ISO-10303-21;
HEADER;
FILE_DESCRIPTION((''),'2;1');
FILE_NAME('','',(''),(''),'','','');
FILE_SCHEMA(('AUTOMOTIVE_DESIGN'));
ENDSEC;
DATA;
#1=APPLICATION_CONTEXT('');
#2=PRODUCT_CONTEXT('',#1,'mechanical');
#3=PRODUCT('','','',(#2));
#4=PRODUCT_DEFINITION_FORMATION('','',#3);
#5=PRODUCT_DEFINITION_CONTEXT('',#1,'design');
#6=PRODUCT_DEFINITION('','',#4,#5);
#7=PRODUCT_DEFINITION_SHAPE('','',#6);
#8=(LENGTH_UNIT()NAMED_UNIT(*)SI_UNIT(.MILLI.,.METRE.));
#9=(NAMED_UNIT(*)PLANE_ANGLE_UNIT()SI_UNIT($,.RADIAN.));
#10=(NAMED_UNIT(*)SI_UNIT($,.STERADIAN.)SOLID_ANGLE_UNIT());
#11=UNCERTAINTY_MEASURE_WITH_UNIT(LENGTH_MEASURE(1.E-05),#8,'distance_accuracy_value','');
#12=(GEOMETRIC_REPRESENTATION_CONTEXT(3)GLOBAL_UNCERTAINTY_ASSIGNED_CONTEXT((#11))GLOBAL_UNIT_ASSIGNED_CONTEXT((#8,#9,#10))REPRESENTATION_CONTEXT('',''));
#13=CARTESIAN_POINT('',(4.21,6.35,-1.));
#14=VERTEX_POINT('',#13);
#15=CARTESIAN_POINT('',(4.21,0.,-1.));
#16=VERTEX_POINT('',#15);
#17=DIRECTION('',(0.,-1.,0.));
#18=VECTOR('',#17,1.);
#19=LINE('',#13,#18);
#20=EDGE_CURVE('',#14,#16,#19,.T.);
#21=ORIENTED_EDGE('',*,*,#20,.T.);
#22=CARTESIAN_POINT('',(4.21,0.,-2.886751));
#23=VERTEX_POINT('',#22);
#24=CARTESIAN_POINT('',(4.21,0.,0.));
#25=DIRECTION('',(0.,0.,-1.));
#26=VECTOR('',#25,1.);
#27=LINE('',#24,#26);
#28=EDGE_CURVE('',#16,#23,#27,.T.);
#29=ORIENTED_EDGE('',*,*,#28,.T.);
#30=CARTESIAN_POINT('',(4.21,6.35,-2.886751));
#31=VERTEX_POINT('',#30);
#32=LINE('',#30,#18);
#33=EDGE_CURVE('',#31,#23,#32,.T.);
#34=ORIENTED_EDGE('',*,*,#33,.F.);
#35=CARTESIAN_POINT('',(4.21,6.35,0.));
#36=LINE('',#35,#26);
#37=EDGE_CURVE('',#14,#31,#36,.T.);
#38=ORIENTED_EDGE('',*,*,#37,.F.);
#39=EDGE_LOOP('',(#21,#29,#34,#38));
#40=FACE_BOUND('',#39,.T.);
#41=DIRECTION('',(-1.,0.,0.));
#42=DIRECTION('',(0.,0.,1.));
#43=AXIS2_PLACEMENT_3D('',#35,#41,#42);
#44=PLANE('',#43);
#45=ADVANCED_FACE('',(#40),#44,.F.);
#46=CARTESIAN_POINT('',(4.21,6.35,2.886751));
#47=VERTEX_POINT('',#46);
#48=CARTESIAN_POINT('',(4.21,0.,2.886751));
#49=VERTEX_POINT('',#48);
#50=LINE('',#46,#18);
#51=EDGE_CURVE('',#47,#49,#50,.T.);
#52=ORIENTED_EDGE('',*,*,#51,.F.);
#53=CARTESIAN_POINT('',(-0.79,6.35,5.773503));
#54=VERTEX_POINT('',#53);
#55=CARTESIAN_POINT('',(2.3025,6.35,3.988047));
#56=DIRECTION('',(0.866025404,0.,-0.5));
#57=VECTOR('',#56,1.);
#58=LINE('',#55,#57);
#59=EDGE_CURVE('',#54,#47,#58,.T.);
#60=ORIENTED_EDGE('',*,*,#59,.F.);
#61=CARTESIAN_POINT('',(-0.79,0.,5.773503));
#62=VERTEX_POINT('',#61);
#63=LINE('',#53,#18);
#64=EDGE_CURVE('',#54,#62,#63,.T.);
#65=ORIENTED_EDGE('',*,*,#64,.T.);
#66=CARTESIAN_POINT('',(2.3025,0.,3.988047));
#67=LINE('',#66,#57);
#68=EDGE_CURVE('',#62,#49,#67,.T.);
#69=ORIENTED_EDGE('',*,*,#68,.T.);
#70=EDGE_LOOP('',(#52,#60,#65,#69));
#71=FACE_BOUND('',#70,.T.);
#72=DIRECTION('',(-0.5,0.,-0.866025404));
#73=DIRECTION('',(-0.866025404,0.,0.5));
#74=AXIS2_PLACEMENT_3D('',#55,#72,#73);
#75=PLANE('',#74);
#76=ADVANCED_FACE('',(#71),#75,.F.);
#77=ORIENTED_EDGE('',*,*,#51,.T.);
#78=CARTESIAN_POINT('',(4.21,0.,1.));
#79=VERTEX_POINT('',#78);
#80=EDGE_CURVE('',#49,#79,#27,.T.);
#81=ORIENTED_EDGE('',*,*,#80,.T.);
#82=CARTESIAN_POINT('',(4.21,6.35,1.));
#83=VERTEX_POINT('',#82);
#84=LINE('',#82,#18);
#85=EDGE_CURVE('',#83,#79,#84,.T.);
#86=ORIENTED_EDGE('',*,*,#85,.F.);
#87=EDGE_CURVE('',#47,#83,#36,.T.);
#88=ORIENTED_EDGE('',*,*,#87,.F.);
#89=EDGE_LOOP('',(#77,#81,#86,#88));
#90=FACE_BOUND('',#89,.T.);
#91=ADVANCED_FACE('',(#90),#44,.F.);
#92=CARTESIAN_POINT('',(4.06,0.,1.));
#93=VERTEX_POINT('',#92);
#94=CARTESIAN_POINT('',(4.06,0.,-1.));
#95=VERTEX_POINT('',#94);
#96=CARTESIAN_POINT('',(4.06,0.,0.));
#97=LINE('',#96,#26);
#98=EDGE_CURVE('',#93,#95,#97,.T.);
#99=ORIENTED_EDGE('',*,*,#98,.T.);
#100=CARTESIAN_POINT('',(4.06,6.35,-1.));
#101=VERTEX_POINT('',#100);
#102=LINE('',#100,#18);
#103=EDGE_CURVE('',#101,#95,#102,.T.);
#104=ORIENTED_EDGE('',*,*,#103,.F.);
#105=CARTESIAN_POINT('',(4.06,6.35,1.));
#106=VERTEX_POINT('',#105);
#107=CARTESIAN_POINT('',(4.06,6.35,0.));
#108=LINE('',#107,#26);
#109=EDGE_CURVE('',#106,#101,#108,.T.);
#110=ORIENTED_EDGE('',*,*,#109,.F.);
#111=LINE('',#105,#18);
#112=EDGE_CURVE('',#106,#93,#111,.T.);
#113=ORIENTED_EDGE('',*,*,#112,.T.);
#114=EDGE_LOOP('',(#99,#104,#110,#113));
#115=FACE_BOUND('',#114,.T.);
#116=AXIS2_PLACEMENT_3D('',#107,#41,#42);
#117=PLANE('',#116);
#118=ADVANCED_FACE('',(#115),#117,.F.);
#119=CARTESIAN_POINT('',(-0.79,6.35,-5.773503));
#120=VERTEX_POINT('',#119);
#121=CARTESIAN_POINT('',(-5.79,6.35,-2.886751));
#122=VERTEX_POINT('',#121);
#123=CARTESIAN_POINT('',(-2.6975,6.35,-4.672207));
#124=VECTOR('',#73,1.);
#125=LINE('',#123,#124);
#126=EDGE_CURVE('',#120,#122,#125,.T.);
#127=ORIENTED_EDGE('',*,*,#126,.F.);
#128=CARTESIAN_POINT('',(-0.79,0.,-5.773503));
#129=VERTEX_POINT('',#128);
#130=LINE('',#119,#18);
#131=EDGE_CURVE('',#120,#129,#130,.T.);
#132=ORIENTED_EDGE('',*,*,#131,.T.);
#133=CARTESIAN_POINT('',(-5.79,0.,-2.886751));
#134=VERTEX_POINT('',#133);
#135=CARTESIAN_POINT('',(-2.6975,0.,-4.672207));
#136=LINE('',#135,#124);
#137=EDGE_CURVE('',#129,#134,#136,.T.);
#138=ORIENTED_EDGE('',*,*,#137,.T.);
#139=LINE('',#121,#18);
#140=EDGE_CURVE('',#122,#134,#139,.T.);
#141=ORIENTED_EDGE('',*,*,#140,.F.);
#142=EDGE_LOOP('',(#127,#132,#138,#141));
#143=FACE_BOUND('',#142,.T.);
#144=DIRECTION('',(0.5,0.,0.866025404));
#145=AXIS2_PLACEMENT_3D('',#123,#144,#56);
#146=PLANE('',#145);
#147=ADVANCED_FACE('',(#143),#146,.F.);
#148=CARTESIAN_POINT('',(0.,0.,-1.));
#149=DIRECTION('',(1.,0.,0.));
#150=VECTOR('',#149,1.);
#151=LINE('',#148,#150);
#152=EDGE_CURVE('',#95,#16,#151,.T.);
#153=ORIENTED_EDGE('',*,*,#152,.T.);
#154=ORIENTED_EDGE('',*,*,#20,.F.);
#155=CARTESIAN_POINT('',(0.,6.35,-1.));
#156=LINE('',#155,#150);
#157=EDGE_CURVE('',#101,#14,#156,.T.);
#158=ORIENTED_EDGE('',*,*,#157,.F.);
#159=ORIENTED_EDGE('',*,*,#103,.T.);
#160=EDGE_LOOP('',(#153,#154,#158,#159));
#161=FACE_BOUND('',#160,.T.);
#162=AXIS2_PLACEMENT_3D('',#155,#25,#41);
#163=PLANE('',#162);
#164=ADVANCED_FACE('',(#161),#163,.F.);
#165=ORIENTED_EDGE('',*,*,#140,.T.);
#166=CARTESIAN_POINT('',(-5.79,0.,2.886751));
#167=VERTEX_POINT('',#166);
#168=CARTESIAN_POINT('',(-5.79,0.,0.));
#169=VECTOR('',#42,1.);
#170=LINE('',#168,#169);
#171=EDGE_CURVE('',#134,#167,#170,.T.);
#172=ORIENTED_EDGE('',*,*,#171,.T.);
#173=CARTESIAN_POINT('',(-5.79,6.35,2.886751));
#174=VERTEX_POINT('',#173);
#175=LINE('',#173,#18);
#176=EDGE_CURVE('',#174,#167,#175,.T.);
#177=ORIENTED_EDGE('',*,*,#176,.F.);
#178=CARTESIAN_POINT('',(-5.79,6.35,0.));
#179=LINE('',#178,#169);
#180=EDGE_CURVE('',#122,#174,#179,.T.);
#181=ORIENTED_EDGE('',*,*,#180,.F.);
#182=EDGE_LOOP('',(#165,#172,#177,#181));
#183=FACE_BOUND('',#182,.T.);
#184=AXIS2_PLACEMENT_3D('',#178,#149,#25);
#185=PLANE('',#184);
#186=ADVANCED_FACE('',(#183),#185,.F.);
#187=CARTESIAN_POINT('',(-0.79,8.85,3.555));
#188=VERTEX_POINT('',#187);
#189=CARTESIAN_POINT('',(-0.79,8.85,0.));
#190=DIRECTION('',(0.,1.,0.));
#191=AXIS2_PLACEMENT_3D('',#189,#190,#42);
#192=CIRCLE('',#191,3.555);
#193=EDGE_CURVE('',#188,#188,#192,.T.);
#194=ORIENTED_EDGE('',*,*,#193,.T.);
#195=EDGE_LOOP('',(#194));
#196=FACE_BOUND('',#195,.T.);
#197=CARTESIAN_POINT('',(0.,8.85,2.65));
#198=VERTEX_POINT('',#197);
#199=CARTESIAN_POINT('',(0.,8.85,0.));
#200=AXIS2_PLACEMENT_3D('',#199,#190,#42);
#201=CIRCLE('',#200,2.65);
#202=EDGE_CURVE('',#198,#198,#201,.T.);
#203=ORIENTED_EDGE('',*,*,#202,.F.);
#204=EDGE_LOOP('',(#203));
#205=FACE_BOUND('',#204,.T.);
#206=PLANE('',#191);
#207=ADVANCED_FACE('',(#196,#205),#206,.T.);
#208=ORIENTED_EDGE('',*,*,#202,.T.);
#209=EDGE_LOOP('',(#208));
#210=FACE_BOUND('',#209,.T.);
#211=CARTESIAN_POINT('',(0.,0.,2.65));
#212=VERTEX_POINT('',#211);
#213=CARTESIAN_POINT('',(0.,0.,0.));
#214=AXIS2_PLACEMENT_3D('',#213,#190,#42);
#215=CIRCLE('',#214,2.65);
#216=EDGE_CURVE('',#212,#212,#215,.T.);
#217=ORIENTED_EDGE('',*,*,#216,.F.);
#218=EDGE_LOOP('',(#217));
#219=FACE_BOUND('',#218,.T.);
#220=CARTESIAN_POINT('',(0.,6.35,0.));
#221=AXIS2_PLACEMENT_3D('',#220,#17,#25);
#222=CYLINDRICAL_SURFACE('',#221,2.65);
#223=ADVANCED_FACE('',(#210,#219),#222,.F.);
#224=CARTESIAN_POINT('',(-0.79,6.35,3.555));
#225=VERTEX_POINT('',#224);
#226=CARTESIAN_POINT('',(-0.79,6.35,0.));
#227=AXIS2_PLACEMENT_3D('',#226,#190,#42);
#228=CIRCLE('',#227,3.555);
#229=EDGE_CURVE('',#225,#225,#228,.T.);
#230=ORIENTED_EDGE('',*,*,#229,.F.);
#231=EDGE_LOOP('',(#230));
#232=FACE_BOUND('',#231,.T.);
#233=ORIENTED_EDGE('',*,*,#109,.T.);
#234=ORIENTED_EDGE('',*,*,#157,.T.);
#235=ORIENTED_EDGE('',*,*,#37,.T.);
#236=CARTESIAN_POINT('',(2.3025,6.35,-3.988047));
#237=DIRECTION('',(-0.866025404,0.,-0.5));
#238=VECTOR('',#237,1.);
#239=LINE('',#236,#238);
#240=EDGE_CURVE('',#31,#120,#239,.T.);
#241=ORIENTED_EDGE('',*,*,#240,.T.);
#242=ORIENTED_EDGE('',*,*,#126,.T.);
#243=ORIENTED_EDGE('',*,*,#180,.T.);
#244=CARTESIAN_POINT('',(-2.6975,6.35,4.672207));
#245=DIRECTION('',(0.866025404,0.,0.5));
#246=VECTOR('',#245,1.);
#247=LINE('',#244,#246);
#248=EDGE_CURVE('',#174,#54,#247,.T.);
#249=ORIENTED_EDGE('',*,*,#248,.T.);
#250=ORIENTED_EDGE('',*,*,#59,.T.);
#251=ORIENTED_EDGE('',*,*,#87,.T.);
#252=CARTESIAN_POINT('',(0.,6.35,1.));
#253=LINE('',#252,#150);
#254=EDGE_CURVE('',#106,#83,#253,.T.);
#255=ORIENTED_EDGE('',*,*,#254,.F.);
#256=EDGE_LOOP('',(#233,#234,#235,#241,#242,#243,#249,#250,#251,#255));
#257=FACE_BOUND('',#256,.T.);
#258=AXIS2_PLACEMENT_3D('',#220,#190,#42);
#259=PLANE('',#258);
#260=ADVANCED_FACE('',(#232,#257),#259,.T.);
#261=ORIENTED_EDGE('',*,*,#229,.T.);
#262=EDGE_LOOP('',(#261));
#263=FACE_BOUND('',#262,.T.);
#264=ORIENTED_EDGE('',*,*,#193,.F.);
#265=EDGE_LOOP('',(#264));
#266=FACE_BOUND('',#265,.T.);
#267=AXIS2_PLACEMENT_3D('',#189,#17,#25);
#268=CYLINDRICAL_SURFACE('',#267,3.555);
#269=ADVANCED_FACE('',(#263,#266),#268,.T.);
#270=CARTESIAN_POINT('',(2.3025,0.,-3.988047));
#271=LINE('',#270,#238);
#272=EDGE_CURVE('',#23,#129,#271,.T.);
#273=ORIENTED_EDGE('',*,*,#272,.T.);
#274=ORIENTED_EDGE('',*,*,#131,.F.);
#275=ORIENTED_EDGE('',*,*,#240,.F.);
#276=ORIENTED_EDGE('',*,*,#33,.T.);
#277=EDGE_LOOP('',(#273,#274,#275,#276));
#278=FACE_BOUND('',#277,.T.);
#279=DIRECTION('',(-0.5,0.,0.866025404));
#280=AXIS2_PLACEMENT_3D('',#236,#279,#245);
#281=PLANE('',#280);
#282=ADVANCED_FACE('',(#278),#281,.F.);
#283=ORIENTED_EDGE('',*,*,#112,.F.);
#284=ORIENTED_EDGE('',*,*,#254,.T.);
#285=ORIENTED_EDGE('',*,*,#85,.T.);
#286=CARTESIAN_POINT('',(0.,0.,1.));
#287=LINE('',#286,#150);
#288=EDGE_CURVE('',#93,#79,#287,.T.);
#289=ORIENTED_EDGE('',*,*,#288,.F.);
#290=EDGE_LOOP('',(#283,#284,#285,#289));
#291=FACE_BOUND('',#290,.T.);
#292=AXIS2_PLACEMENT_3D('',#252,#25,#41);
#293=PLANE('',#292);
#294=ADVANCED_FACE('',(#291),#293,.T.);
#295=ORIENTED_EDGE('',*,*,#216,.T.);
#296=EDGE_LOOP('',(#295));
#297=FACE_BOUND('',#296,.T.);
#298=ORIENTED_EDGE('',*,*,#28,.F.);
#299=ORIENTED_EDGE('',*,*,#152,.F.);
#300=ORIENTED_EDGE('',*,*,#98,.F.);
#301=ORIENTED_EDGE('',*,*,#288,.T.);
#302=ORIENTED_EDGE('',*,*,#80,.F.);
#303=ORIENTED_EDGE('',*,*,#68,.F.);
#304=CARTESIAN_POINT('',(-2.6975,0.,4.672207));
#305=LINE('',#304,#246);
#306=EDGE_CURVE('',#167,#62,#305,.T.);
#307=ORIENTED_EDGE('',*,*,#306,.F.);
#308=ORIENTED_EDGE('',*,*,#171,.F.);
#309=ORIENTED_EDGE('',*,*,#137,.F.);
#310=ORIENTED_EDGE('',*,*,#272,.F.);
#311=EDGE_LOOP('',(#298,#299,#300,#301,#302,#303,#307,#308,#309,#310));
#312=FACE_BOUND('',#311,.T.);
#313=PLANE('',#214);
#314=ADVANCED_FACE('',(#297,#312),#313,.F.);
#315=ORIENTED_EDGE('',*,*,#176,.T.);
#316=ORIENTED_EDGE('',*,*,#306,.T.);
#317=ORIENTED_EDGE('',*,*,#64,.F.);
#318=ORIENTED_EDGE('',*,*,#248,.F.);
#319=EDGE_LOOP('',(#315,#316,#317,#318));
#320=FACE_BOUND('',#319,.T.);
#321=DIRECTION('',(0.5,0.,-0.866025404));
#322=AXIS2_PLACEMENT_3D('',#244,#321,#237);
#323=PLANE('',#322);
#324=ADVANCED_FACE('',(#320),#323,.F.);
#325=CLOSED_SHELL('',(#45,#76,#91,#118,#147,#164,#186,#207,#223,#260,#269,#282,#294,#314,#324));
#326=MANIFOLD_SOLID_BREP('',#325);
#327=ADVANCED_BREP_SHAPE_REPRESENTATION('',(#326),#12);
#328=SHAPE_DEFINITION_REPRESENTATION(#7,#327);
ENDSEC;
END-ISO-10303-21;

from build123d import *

# Parameters (mm, degrees)
SKETCH1_R           = 2.65
BOSS_EXTRUDE1_DEPTH = 6.35
SKETCH2_R           = 3.555
SKETCH2_R_2         = 2.65
BOSS_EXTRUDE2_DEPTH = 2.5


with BuildPart() as part:
    # Sketch1 → Boss-Extrude1 (new body)
    with BuildSketch(Plane(origin=(0, 0, 0), x_dir=(1, 0, 0), z_dir=(0, 1, 0))):
        Polygon((4.21, 2.886751346), (-0.79, 5.773502692), (-5.79, 2.886751346), (-5.79, -2.886751346), (-0.79, -5.773502692), (4.21, -2.886751346), (4.21, -1), (4.06, -1), (4.06, 1), (4.21, 1), align=None)
        Circle(SKETCH1_R, mode=Mode.SUBTRACT)
    extrude(amount=BOSS_EXTRUDE1_DEPTH)

    # Sketch2 → Boss-Extrude2 (add)
    with BuildSketch(Plane(origin=(0, 6.35, 0), x_dir=(1, 0, 0), z_dir=(0, 1, 0))):
        with Locations((-0.79, 0)):
            Circle(SKETCH2_R)
        Circle(SKETCH2_R_2, mode=Mode.SUBTRACT)
    extrude(amount=BOSS_EXTRUDE2_DEPTH)


solid = part.part
